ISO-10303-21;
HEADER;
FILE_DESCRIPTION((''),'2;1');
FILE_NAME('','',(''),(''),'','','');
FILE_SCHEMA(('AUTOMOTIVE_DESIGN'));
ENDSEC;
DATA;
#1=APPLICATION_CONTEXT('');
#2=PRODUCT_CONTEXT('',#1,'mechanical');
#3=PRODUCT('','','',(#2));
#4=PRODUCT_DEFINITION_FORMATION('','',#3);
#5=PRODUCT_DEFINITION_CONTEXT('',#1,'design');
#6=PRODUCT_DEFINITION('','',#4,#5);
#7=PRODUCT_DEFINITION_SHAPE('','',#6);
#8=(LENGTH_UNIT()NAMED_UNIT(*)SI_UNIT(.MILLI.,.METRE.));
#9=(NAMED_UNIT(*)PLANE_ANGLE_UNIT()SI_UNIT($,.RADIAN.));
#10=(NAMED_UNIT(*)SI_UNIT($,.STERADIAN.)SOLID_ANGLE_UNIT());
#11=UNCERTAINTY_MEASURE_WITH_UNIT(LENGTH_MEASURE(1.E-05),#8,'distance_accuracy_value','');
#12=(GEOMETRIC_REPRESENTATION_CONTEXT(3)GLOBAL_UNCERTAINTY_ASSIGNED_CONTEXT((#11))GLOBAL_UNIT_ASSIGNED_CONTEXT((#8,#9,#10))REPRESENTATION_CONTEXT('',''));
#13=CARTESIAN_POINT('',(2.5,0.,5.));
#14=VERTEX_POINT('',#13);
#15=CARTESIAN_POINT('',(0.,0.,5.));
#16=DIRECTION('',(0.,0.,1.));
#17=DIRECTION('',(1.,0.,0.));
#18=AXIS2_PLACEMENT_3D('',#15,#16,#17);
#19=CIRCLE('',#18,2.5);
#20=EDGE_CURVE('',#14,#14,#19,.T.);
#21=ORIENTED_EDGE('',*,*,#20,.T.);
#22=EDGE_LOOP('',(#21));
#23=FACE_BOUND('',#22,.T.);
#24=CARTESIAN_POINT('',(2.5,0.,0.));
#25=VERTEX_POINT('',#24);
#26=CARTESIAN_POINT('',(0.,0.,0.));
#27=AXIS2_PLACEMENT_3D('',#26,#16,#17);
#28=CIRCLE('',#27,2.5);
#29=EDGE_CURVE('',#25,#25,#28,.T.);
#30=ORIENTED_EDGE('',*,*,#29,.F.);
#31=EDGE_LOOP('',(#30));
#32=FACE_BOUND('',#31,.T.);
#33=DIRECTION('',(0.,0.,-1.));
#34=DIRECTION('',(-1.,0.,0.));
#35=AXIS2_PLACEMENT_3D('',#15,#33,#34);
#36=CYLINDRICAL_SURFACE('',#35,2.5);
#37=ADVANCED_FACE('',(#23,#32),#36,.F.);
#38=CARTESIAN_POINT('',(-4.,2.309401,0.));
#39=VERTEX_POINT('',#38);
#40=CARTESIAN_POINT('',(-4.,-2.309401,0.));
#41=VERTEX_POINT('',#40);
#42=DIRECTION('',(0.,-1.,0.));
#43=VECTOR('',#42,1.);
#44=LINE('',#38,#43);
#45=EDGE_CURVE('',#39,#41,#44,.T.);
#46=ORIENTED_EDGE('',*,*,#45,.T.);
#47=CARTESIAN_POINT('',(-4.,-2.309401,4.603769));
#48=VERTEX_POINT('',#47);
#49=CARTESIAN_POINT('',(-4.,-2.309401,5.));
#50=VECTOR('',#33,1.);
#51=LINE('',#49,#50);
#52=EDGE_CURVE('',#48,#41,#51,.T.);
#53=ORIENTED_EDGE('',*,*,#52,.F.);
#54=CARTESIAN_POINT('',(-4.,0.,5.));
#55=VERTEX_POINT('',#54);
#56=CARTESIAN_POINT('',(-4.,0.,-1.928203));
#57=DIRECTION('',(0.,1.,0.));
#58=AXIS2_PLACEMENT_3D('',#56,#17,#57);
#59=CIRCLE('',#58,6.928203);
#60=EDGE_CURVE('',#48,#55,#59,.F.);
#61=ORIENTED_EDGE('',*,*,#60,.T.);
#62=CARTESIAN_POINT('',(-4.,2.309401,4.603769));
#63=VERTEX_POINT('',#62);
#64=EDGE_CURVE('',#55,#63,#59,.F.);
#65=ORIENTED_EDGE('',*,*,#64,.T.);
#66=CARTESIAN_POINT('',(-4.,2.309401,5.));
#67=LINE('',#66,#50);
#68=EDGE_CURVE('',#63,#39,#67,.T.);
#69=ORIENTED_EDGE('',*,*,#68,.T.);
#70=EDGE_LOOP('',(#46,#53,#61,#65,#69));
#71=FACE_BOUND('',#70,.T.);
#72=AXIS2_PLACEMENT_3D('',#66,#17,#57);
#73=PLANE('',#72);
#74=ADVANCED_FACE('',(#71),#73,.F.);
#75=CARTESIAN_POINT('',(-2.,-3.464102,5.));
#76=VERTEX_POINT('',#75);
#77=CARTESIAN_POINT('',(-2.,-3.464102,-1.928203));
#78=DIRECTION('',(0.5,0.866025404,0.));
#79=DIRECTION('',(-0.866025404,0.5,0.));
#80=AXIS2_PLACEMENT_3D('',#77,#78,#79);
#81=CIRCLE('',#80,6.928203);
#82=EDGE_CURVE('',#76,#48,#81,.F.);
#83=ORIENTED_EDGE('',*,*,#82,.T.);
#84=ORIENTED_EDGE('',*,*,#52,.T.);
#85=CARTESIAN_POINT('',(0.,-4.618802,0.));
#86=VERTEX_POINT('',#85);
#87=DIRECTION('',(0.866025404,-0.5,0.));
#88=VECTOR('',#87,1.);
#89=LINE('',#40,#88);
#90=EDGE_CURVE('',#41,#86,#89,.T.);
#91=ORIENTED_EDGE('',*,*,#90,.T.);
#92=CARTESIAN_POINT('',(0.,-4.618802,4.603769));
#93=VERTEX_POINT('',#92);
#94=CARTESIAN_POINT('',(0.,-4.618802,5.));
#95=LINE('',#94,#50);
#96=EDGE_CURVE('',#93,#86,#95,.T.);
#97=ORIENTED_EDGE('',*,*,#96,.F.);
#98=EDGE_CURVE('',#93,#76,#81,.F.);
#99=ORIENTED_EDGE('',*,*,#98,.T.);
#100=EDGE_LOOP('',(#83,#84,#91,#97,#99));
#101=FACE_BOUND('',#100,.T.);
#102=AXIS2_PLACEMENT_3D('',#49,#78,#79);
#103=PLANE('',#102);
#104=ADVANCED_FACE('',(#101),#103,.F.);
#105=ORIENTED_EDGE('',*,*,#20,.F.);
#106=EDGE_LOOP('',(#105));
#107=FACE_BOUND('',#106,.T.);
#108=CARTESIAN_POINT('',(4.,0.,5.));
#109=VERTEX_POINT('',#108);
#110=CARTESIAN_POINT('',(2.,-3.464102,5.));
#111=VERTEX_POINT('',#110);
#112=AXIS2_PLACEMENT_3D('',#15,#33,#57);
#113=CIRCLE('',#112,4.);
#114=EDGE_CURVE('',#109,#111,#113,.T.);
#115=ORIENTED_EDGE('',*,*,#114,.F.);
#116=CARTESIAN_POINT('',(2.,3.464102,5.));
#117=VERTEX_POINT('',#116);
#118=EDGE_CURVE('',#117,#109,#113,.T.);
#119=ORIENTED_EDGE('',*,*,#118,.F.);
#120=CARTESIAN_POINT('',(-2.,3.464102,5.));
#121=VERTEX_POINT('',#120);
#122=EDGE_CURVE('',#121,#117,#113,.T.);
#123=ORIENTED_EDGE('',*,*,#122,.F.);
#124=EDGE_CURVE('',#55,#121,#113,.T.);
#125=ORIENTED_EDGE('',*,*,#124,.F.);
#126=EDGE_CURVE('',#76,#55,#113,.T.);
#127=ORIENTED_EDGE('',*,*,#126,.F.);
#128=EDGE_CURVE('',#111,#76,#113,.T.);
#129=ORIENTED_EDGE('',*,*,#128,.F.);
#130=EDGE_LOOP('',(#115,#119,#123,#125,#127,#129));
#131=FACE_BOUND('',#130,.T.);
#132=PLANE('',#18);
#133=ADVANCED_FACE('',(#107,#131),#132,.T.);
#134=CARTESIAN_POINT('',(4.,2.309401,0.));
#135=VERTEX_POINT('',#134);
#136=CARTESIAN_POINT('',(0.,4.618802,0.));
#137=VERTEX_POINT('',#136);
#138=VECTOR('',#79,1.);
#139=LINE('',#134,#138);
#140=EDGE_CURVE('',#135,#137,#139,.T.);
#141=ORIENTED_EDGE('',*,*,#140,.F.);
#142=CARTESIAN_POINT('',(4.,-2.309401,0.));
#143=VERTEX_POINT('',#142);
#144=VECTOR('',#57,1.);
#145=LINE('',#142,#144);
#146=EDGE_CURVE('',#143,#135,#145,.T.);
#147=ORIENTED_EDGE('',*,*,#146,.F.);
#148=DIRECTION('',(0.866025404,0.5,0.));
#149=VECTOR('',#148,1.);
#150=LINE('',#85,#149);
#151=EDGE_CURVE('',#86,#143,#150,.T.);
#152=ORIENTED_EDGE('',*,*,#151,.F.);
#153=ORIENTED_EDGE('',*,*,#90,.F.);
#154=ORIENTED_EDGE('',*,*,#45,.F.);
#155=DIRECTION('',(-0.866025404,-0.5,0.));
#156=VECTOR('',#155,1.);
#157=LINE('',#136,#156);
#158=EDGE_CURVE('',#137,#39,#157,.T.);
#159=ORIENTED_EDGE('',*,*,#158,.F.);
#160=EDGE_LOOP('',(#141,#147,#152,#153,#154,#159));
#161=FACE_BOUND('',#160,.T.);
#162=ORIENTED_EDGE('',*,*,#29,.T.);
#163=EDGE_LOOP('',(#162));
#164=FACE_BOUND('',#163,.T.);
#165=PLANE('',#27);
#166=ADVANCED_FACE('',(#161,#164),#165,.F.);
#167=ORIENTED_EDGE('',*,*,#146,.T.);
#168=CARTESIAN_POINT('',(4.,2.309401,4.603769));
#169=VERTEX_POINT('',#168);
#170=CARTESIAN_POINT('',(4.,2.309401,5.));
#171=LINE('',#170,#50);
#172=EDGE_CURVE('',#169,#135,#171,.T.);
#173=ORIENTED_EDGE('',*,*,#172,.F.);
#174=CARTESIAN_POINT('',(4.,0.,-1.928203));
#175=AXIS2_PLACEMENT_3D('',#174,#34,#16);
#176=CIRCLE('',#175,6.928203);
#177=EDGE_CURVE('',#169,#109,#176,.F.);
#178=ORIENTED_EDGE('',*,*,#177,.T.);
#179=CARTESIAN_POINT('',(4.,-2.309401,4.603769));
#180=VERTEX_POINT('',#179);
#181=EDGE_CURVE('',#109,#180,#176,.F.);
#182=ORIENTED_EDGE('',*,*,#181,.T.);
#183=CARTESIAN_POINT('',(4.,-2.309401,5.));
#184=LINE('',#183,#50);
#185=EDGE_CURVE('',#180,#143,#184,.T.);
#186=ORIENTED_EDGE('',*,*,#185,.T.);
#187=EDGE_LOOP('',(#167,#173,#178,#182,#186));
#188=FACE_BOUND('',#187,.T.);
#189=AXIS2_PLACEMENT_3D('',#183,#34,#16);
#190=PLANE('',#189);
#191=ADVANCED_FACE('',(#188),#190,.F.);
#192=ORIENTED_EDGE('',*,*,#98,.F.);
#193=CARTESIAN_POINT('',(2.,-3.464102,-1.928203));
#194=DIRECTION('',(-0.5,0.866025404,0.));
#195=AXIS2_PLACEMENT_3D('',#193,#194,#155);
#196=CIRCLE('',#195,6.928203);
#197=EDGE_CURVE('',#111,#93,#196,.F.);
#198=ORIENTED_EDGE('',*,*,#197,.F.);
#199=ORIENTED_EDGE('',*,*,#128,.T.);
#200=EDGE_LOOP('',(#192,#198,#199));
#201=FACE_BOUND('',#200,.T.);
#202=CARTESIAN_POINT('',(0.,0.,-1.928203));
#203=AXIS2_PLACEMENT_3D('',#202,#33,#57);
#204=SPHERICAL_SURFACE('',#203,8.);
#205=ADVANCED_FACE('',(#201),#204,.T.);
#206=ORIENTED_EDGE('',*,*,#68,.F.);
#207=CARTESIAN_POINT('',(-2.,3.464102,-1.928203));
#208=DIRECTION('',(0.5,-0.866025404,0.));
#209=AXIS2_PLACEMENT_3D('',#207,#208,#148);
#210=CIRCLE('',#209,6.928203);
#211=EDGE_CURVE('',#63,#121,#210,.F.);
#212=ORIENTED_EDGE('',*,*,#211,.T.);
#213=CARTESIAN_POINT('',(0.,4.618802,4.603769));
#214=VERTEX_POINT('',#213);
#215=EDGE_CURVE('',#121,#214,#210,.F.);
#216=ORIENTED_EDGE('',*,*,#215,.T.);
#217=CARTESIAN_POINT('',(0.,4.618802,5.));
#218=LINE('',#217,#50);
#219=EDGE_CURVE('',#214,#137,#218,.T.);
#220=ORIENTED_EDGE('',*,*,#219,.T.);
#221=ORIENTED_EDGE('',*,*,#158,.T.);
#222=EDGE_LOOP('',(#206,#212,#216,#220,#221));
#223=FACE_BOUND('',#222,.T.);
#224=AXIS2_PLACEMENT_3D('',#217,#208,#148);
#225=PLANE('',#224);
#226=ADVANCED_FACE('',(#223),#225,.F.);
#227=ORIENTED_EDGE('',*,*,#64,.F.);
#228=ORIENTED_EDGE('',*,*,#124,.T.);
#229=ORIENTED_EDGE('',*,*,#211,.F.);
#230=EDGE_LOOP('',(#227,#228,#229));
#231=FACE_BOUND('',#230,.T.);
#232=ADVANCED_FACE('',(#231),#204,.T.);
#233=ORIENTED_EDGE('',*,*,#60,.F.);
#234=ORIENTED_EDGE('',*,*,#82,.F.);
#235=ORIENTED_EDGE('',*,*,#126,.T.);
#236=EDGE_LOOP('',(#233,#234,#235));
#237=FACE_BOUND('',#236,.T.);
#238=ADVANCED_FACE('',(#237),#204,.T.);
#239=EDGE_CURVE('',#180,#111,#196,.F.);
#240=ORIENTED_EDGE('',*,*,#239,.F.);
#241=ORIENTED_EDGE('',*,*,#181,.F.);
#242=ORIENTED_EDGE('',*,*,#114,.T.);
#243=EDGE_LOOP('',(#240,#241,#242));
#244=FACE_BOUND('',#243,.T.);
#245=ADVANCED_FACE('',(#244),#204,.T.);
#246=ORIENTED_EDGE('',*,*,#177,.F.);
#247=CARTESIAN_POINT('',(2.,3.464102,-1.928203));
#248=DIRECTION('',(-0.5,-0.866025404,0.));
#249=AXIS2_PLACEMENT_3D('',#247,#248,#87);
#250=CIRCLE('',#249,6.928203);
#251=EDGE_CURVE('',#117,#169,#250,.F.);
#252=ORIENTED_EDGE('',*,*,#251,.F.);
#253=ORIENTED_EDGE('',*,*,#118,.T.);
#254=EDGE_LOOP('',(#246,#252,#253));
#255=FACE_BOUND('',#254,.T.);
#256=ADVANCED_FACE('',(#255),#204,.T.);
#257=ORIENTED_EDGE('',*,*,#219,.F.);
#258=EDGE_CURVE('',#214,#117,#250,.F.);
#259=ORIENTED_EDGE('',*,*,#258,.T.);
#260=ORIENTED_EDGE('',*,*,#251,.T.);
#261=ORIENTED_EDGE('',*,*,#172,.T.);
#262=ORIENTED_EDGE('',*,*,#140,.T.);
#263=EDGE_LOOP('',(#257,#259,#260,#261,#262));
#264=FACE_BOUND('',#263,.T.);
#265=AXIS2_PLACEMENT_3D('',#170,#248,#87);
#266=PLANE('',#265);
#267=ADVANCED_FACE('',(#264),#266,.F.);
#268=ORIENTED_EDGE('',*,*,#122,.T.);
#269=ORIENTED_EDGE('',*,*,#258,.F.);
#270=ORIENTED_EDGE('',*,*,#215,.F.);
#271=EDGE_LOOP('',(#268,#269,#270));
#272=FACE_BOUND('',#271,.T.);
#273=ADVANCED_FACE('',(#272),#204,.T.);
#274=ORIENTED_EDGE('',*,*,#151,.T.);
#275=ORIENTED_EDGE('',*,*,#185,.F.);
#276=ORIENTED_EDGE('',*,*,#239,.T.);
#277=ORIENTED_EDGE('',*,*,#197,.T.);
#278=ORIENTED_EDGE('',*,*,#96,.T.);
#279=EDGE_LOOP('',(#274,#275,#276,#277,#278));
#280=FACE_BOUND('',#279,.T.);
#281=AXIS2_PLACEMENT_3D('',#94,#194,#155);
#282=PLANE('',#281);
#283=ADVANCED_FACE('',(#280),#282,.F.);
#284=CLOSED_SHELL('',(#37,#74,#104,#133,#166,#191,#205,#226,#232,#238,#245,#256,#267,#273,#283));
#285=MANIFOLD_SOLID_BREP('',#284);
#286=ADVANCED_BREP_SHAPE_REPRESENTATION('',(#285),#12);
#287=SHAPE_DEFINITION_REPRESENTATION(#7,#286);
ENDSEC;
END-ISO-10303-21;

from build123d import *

# Parameters (mm, degrees)
SKETCH_1_R      = 2.5
EXTRUDE_1_DEPTH = 5


with BuildPart() as part:
    # ｽｹｯﾁ1 → ﾎﾞｽ - 押し出し1 (new body)
    with BuildSketch(Plane.XY):
        Polygon((0, 4.618802154), (-4, 2.309401077), (-4, -2.309401077), (0, -4.618802154), (4, -2.309401077), (4, 2.309401077), align=None)
        Circle(SKETCH_1_R, mode=Mode.SUBTRACT)
    extrude(amount=EXTRUDE_1_DEPTH)

    # ｽｹｯﾁ5 → ｶｯﾄ - 回転2 (revolve, cut)
    with BuildSketch(Plane(origin=(0, 0, 0), x_dir=(0, 0, -1), z_dir=(1, 0, 0))):
        with BuildLine():
            Line((-4.603769417, 4.618802154), (-5, 4.618802154))
            Line((-5, 4.618802154), (-5, 4))
            ThreePointArc((-5, 4), (-4.808992974, 4.313952632), (-4.603769417, 4.618802154))
        make_face()
    revolve(axis=Axis((0, 0, 0), (0, 0, 1)), mode=Mode.SUBTRACT)


solid = part.part
